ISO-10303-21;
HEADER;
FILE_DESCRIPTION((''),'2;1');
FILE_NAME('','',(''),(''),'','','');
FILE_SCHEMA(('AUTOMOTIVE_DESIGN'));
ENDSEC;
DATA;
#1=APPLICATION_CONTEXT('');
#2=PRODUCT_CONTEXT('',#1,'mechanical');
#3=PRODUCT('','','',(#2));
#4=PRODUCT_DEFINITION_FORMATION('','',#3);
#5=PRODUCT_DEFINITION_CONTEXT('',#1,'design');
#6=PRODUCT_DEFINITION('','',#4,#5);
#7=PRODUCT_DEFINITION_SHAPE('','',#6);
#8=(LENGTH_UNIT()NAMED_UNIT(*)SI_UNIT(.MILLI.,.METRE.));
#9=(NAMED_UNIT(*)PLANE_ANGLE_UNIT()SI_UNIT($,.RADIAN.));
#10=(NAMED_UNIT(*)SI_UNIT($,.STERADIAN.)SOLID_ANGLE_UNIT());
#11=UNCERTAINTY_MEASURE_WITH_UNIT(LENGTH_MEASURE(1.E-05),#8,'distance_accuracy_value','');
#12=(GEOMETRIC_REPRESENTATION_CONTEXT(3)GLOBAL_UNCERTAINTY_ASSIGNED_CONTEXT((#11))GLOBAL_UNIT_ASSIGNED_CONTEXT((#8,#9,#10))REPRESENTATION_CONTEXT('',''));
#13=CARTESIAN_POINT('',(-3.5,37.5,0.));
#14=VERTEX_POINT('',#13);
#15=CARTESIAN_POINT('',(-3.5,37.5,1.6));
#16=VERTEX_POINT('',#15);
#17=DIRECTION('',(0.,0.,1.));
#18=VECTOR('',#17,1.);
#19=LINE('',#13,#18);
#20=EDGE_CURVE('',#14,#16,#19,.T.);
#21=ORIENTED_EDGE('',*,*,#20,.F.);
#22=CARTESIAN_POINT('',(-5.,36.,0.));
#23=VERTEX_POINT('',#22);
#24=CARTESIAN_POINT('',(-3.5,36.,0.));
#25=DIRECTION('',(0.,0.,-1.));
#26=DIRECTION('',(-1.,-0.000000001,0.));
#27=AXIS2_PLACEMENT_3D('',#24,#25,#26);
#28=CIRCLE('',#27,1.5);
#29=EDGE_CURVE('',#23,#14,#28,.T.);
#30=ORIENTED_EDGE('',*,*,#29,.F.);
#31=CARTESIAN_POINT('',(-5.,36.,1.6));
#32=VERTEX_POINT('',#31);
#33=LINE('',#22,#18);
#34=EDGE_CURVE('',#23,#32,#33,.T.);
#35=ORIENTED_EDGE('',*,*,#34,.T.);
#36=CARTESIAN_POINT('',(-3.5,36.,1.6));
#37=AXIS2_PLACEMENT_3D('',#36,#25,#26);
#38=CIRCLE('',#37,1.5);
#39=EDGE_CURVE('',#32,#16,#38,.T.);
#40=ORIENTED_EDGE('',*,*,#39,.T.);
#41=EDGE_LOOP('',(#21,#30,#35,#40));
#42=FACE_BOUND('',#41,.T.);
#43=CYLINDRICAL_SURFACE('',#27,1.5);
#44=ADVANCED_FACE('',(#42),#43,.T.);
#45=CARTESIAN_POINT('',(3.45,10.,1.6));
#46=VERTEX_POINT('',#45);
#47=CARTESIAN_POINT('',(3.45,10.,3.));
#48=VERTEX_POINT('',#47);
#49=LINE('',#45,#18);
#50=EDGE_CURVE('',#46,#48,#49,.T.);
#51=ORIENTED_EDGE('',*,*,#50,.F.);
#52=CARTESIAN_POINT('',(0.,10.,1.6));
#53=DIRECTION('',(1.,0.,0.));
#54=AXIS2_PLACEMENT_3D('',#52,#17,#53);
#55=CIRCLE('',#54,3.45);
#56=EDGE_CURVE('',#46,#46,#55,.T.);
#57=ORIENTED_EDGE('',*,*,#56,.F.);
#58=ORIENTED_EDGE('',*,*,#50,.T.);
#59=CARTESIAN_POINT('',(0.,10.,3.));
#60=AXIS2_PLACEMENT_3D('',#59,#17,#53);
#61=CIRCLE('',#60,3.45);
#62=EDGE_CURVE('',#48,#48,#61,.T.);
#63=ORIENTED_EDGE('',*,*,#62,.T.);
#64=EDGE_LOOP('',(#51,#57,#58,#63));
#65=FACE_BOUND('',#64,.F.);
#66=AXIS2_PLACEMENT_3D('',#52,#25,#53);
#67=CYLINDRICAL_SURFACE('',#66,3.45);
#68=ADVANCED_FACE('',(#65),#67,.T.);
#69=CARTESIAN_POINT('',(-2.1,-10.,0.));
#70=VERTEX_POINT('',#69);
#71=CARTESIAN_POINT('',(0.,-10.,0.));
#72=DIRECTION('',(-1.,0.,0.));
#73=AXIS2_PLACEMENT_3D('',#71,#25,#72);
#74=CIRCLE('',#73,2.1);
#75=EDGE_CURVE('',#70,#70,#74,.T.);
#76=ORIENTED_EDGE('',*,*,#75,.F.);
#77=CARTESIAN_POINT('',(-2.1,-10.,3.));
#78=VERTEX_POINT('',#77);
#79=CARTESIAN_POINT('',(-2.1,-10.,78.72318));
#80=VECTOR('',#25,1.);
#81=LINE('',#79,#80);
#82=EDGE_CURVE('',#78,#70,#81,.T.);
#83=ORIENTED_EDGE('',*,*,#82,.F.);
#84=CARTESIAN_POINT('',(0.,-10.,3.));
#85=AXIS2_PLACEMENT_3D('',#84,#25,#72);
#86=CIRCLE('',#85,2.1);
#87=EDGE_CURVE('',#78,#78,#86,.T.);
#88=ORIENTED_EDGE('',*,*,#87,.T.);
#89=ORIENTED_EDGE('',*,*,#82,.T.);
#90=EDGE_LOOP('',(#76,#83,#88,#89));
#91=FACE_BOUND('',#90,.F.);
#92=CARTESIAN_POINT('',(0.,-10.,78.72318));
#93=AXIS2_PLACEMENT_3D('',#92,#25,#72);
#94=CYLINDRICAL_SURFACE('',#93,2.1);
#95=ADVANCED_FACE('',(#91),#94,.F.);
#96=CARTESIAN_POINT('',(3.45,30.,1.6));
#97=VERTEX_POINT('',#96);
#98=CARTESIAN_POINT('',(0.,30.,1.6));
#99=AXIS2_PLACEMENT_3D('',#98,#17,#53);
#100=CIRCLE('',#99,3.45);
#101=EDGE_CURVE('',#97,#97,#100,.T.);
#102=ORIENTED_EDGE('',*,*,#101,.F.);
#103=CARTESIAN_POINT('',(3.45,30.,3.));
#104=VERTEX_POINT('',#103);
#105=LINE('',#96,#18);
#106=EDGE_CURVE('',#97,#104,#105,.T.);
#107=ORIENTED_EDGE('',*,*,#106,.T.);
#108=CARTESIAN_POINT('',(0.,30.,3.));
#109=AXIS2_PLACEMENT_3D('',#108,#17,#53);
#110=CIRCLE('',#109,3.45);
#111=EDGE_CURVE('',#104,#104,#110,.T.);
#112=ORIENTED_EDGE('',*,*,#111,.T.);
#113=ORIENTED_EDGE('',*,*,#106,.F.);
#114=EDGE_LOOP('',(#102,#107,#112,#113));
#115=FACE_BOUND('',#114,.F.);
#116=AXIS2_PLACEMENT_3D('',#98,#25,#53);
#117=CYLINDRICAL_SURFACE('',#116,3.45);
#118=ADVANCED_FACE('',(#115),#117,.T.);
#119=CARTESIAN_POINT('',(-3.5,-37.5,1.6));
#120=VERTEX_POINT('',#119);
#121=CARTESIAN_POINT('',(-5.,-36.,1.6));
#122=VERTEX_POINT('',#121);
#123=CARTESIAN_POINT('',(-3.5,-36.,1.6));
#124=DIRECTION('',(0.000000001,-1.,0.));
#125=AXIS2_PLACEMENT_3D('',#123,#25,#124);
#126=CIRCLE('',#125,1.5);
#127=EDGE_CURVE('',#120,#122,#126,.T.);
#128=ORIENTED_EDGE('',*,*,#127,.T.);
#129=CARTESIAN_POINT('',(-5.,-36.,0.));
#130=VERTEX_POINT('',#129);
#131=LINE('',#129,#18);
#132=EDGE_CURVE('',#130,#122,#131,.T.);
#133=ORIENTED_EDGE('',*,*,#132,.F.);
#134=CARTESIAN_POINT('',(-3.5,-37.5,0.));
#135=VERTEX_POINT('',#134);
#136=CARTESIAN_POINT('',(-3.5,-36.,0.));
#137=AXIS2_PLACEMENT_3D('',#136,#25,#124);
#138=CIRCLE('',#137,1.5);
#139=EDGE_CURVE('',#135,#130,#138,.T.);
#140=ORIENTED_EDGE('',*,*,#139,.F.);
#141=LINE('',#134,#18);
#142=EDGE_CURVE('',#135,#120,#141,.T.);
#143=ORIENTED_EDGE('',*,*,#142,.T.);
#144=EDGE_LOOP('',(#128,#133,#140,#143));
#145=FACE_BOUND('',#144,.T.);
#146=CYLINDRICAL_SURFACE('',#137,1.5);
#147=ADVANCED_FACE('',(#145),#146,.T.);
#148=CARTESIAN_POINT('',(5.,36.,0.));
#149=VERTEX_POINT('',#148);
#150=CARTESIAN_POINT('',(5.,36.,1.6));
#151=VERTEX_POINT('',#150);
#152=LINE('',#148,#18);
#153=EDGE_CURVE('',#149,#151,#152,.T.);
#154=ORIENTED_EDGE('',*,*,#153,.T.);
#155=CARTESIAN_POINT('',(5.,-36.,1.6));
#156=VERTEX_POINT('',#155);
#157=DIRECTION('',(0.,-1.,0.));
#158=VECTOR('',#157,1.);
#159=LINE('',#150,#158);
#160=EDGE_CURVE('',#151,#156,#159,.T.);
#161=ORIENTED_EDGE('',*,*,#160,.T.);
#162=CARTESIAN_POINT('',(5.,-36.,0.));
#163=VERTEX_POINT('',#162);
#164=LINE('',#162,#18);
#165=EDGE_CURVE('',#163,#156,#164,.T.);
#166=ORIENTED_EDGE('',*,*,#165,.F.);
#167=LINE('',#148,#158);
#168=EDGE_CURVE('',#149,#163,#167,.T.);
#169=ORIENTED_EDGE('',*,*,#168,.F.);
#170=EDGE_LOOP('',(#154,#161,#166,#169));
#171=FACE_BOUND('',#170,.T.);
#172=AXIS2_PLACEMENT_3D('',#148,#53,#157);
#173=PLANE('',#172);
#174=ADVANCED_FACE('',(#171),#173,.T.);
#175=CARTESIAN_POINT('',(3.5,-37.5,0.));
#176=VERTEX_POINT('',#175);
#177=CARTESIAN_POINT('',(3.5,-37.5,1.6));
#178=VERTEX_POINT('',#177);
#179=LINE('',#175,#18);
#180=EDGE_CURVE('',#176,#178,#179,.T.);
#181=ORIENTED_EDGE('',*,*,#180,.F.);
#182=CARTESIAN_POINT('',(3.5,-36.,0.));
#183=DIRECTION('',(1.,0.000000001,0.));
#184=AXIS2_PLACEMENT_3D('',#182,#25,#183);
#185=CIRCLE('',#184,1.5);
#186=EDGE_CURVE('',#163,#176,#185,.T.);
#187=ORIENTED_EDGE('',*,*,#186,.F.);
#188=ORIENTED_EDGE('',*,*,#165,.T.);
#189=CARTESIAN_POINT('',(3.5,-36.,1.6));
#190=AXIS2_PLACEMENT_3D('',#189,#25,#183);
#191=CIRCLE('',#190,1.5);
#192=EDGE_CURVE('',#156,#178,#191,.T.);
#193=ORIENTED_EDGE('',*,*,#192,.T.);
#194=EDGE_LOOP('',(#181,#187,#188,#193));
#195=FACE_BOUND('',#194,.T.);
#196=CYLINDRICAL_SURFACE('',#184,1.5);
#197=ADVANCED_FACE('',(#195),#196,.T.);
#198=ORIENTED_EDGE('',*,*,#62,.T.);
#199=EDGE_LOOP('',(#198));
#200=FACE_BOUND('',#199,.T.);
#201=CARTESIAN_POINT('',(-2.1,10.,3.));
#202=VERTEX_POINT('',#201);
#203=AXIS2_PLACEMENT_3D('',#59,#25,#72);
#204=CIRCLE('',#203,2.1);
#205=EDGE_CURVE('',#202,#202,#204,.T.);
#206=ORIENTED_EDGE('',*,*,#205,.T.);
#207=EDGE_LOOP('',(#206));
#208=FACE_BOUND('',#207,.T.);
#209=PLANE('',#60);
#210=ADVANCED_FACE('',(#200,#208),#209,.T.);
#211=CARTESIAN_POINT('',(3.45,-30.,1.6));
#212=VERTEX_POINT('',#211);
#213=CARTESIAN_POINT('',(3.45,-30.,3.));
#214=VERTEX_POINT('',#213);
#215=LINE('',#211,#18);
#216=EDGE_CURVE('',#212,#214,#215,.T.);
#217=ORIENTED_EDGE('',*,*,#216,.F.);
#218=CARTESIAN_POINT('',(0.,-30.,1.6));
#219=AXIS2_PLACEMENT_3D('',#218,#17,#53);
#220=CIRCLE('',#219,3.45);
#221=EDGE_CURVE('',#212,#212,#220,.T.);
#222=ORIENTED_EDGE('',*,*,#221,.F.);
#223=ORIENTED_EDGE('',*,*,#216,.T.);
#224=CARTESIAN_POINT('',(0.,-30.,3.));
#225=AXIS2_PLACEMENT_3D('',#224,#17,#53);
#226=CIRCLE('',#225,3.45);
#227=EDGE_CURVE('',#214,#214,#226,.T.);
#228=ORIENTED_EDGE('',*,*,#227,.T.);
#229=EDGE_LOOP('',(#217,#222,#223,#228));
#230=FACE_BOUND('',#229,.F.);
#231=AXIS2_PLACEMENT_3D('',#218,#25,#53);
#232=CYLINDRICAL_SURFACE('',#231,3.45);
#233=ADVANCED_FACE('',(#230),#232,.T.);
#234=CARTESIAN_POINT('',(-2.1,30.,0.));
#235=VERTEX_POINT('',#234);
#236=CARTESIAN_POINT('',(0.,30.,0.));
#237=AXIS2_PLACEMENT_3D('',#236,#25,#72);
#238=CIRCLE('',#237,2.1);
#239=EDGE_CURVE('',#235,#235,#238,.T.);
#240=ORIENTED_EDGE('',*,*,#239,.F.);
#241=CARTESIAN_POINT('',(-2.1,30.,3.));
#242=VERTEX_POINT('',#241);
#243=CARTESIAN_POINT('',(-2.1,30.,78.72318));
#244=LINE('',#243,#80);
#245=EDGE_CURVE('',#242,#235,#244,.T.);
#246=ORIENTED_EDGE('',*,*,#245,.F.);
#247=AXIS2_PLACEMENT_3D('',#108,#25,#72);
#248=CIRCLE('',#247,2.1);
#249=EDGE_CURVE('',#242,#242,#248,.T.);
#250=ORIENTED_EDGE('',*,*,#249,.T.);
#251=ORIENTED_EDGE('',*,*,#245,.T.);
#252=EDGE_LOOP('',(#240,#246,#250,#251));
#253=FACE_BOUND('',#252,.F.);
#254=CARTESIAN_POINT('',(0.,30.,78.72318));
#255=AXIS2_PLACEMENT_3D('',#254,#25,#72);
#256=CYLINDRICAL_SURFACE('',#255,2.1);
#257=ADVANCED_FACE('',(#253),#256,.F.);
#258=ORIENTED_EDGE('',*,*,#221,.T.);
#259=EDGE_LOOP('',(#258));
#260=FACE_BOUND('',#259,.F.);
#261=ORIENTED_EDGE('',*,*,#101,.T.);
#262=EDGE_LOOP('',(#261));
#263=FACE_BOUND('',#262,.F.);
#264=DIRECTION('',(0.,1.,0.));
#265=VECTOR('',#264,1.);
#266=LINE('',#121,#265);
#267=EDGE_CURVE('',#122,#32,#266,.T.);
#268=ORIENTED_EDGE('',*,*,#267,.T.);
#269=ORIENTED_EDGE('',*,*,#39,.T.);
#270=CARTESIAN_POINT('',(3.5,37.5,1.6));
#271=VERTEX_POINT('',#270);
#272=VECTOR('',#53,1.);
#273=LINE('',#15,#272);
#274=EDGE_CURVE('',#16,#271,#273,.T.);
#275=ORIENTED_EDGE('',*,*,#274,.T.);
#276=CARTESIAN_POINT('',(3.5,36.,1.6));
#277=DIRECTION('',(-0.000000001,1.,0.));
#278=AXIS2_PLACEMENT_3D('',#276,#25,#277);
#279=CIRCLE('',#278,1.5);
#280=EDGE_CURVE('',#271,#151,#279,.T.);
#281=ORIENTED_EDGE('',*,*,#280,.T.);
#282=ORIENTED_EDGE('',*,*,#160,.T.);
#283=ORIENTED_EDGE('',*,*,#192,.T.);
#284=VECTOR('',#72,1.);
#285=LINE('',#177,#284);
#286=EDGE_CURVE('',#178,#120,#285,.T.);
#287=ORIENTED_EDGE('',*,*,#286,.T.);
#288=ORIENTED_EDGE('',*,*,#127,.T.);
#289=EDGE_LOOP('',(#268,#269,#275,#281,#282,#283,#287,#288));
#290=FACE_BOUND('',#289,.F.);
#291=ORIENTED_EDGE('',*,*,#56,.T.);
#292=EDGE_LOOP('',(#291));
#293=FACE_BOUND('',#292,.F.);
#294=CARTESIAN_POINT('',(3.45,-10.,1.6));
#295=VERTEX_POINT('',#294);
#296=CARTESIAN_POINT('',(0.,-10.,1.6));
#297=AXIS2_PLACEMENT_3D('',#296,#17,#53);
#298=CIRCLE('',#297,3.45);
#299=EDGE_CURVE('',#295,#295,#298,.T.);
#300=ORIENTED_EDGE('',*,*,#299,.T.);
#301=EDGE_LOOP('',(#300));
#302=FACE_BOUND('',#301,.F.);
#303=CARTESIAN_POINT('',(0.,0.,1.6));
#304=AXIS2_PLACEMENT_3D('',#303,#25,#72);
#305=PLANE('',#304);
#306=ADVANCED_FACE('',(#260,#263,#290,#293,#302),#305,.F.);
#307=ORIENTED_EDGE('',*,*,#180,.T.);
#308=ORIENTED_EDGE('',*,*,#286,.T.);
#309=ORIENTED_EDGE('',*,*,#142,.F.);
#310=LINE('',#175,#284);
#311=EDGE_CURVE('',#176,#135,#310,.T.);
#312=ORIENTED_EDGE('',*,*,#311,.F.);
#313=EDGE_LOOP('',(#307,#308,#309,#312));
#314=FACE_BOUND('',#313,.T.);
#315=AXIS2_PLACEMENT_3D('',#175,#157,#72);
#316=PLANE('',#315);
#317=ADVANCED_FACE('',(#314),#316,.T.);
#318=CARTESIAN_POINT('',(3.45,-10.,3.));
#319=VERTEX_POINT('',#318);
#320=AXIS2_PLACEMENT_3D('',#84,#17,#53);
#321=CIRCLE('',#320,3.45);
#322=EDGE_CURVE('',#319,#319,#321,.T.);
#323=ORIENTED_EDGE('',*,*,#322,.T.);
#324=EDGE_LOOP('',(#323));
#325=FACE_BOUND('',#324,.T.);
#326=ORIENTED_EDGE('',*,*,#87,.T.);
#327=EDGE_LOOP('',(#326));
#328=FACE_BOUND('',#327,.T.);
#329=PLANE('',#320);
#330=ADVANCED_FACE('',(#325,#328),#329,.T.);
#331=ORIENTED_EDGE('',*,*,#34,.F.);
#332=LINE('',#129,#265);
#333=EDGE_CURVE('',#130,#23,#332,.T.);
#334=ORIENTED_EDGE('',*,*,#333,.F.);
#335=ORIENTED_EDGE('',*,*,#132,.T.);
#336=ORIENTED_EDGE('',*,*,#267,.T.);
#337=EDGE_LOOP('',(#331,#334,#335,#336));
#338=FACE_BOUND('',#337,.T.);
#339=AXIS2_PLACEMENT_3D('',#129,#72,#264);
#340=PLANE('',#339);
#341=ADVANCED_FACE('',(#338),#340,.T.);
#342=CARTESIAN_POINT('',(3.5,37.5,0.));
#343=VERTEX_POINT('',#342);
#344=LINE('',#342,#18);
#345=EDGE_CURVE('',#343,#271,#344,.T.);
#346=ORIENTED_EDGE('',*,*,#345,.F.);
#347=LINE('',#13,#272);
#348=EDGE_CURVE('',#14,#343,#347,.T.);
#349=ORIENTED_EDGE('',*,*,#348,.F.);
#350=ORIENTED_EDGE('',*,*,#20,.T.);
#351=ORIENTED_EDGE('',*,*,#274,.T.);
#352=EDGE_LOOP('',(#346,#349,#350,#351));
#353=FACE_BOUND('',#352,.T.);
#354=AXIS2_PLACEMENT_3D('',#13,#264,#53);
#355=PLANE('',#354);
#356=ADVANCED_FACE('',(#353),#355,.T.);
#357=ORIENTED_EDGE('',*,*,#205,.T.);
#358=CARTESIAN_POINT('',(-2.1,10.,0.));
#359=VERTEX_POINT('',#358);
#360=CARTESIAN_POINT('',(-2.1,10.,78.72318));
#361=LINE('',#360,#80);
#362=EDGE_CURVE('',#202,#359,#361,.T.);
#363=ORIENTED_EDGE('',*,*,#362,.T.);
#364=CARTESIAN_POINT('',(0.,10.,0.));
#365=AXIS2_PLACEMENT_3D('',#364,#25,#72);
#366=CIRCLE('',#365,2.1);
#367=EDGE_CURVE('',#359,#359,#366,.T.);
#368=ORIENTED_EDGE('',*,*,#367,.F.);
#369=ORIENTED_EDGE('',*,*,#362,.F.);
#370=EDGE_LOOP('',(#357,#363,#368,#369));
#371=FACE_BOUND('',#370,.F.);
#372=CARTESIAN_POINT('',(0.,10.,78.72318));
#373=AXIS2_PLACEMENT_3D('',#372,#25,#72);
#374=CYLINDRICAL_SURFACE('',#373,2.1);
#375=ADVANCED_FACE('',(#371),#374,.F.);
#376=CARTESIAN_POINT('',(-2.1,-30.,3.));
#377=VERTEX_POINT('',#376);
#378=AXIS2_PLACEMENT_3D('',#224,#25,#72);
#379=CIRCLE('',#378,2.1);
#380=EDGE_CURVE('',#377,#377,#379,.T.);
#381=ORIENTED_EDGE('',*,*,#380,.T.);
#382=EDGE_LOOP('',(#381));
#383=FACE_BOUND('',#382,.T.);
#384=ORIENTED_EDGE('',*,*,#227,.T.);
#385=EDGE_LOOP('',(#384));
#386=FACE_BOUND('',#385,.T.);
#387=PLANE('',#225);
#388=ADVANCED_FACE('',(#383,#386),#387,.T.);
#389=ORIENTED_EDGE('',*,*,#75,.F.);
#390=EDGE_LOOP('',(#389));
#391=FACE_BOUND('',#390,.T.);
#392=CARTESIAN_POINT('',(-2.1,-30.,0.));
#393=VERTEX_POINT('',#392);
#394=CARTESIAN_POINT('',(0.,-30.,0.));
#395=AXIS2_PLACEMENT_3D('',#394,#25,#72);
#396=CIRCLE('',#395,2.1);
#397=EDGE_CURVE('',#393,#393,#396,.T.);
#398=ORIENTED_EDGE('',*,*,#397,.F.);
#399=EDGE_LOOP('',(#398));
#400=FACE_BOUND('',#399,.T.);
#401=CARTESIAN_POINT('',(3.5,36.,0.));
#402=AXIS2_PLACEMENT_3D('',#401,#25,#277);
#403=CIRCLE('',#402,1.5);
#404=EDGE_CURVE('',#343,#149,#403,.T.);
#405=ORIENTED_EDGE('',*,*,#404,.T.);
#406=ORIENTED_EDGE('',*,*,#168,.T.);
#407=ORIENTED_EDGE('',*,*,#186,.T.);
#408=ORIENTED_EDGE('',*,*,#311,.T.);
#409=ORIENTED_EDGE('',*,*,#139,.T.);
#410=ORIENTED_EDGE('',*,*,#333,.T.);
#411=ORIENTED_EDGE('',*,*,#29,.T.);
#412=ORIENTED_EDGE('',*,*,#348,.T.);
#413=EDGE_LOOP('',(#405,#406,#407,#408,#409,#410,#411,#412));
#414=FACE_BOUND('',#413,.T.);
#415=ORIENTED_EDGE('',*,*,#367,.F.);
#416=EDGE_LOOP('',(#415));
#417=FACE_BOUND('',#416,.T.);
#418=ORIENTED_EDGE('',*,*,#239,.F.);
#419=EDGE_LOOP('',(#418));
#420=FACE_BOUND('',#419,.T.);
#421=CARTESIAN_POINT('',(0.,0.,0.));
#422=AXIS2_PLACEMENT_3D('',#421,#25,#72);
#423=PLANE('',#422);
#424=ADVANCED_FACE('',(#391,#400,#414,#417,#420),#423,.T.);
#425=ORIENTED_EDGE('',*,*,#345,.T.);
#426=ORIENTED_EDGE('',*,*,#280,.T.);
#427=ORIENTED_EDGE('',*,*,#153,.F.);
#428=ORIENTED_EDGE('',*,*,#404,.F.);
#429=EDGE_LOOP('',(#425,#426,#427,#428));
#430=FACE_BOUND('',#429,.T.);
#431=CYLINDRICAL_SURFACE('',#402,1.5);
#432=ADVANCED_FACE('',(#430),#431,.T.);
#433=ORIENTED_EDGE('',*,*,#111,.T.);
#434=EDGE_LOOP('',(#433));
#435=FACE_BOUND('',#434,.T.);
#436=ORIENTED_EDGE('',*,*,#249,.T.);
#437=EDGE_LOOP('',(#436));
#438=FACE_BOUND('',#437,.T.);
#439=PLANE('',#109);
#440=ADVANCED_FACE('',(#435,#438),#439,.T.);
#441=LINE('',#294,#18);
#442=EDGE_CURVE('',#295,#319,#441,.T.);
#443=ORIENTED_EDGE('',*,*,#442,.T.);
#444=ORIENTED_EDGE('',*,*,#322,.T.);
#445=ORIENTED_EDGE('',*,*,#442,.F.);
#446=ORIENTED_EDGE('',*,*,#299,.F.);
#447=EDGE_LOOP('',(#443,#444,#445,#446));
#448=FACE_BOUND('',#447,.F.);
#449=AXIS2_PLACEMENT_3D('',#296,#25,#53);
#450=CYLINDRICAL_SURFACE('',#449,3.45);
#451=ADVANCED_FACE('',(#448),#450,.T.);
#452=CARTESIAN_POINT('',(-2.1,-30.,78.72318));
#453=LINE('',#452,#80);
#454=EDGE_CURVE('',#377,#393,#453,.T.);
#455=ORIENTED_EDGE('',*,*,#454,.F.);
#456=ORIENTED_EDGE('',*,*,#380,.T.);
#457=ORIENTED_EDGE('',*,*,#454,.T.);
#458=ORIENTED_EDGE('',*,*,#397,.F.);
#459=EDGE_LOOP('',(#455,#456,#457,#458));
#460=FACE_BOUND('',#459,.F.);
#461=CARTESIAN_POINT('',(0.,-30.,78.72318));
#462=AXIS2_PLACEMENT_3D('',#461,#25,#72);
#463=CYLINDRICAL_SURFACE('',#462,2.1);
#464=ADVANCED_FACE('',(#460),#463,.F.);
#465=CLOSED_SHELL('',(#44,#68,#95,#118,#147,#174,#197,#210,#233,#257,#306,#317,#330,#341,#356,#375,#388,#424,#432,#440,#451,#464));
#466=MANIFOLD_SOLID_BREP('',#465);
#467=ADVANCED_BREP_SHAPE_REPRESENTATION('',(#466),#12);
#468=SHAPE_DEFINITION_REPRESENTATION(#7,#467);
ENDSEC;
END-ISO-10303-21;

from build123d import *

# Parameters (mm, degrees)
BOSS_EXTRUDE1_DEPTH   = 1.6
SKETCH2_R             = 3.45
BOSS_EXTRUDE2_DEPTH   = 1.4
M5X0_8_TAPPED_HOLE1_D = 4.2


with BuildPart() as part:
    # Sketch1 → Boss-Extrude1 (new body)
    with BuildSketch(Plane.XY):
        with BuildLine():
            Line((3.5, -37.5), (-3.5, -37.5))
            ThreePointArc((-3.5, -37.5), (-4.560660172, -37.060660172), (-5, -36))
            Line((-5, -36), (-5, 36))
            ThreePointArc((-5, 36), (-4.560660172, 37.060660172), (-3.5, 37.5))
            Line((-3.5, 37.5), (3.5, 37.5))
            ThreePointArc((3.5, 37.5), (4.560660172, 37.060660172), (5, 36))
            Line((5, 36), (5, -36))
            ThreePointArc((5, -36), (4.560660172, -37.060660172), (3.5, -37.5))
        make_face()
    extrude(amount=BOSS_EXTRUDE1_DEPTH)

    # Sketch2 → Boss-Extrude2 (add)
    with BuildSketch(Plane.XY.offset(1.6)):
        with Locations((0, 10)):
            Circle(SKETCH2_R)
        with Locations((0, 30)):
            Circle(SKETCH2_R)
        with Locations((0, -10)):
            Circle(SKETCH2_R)
        with Locations((0, -30)):
            Circle(SKETCH2_R)
    extrude(amount=BOSS_EXTRUDE2_DEPTH)

    # M5x0.8 Tapped Hole1 (through all)
    with Locations(Plane.XY.offset(3)):
        with Locations((0, 30), (0, 10), (0, -10), (0, -30)):
            Hole(M5X0_8_TAPPED_HOLE1_D / 2)


solid = part.part
